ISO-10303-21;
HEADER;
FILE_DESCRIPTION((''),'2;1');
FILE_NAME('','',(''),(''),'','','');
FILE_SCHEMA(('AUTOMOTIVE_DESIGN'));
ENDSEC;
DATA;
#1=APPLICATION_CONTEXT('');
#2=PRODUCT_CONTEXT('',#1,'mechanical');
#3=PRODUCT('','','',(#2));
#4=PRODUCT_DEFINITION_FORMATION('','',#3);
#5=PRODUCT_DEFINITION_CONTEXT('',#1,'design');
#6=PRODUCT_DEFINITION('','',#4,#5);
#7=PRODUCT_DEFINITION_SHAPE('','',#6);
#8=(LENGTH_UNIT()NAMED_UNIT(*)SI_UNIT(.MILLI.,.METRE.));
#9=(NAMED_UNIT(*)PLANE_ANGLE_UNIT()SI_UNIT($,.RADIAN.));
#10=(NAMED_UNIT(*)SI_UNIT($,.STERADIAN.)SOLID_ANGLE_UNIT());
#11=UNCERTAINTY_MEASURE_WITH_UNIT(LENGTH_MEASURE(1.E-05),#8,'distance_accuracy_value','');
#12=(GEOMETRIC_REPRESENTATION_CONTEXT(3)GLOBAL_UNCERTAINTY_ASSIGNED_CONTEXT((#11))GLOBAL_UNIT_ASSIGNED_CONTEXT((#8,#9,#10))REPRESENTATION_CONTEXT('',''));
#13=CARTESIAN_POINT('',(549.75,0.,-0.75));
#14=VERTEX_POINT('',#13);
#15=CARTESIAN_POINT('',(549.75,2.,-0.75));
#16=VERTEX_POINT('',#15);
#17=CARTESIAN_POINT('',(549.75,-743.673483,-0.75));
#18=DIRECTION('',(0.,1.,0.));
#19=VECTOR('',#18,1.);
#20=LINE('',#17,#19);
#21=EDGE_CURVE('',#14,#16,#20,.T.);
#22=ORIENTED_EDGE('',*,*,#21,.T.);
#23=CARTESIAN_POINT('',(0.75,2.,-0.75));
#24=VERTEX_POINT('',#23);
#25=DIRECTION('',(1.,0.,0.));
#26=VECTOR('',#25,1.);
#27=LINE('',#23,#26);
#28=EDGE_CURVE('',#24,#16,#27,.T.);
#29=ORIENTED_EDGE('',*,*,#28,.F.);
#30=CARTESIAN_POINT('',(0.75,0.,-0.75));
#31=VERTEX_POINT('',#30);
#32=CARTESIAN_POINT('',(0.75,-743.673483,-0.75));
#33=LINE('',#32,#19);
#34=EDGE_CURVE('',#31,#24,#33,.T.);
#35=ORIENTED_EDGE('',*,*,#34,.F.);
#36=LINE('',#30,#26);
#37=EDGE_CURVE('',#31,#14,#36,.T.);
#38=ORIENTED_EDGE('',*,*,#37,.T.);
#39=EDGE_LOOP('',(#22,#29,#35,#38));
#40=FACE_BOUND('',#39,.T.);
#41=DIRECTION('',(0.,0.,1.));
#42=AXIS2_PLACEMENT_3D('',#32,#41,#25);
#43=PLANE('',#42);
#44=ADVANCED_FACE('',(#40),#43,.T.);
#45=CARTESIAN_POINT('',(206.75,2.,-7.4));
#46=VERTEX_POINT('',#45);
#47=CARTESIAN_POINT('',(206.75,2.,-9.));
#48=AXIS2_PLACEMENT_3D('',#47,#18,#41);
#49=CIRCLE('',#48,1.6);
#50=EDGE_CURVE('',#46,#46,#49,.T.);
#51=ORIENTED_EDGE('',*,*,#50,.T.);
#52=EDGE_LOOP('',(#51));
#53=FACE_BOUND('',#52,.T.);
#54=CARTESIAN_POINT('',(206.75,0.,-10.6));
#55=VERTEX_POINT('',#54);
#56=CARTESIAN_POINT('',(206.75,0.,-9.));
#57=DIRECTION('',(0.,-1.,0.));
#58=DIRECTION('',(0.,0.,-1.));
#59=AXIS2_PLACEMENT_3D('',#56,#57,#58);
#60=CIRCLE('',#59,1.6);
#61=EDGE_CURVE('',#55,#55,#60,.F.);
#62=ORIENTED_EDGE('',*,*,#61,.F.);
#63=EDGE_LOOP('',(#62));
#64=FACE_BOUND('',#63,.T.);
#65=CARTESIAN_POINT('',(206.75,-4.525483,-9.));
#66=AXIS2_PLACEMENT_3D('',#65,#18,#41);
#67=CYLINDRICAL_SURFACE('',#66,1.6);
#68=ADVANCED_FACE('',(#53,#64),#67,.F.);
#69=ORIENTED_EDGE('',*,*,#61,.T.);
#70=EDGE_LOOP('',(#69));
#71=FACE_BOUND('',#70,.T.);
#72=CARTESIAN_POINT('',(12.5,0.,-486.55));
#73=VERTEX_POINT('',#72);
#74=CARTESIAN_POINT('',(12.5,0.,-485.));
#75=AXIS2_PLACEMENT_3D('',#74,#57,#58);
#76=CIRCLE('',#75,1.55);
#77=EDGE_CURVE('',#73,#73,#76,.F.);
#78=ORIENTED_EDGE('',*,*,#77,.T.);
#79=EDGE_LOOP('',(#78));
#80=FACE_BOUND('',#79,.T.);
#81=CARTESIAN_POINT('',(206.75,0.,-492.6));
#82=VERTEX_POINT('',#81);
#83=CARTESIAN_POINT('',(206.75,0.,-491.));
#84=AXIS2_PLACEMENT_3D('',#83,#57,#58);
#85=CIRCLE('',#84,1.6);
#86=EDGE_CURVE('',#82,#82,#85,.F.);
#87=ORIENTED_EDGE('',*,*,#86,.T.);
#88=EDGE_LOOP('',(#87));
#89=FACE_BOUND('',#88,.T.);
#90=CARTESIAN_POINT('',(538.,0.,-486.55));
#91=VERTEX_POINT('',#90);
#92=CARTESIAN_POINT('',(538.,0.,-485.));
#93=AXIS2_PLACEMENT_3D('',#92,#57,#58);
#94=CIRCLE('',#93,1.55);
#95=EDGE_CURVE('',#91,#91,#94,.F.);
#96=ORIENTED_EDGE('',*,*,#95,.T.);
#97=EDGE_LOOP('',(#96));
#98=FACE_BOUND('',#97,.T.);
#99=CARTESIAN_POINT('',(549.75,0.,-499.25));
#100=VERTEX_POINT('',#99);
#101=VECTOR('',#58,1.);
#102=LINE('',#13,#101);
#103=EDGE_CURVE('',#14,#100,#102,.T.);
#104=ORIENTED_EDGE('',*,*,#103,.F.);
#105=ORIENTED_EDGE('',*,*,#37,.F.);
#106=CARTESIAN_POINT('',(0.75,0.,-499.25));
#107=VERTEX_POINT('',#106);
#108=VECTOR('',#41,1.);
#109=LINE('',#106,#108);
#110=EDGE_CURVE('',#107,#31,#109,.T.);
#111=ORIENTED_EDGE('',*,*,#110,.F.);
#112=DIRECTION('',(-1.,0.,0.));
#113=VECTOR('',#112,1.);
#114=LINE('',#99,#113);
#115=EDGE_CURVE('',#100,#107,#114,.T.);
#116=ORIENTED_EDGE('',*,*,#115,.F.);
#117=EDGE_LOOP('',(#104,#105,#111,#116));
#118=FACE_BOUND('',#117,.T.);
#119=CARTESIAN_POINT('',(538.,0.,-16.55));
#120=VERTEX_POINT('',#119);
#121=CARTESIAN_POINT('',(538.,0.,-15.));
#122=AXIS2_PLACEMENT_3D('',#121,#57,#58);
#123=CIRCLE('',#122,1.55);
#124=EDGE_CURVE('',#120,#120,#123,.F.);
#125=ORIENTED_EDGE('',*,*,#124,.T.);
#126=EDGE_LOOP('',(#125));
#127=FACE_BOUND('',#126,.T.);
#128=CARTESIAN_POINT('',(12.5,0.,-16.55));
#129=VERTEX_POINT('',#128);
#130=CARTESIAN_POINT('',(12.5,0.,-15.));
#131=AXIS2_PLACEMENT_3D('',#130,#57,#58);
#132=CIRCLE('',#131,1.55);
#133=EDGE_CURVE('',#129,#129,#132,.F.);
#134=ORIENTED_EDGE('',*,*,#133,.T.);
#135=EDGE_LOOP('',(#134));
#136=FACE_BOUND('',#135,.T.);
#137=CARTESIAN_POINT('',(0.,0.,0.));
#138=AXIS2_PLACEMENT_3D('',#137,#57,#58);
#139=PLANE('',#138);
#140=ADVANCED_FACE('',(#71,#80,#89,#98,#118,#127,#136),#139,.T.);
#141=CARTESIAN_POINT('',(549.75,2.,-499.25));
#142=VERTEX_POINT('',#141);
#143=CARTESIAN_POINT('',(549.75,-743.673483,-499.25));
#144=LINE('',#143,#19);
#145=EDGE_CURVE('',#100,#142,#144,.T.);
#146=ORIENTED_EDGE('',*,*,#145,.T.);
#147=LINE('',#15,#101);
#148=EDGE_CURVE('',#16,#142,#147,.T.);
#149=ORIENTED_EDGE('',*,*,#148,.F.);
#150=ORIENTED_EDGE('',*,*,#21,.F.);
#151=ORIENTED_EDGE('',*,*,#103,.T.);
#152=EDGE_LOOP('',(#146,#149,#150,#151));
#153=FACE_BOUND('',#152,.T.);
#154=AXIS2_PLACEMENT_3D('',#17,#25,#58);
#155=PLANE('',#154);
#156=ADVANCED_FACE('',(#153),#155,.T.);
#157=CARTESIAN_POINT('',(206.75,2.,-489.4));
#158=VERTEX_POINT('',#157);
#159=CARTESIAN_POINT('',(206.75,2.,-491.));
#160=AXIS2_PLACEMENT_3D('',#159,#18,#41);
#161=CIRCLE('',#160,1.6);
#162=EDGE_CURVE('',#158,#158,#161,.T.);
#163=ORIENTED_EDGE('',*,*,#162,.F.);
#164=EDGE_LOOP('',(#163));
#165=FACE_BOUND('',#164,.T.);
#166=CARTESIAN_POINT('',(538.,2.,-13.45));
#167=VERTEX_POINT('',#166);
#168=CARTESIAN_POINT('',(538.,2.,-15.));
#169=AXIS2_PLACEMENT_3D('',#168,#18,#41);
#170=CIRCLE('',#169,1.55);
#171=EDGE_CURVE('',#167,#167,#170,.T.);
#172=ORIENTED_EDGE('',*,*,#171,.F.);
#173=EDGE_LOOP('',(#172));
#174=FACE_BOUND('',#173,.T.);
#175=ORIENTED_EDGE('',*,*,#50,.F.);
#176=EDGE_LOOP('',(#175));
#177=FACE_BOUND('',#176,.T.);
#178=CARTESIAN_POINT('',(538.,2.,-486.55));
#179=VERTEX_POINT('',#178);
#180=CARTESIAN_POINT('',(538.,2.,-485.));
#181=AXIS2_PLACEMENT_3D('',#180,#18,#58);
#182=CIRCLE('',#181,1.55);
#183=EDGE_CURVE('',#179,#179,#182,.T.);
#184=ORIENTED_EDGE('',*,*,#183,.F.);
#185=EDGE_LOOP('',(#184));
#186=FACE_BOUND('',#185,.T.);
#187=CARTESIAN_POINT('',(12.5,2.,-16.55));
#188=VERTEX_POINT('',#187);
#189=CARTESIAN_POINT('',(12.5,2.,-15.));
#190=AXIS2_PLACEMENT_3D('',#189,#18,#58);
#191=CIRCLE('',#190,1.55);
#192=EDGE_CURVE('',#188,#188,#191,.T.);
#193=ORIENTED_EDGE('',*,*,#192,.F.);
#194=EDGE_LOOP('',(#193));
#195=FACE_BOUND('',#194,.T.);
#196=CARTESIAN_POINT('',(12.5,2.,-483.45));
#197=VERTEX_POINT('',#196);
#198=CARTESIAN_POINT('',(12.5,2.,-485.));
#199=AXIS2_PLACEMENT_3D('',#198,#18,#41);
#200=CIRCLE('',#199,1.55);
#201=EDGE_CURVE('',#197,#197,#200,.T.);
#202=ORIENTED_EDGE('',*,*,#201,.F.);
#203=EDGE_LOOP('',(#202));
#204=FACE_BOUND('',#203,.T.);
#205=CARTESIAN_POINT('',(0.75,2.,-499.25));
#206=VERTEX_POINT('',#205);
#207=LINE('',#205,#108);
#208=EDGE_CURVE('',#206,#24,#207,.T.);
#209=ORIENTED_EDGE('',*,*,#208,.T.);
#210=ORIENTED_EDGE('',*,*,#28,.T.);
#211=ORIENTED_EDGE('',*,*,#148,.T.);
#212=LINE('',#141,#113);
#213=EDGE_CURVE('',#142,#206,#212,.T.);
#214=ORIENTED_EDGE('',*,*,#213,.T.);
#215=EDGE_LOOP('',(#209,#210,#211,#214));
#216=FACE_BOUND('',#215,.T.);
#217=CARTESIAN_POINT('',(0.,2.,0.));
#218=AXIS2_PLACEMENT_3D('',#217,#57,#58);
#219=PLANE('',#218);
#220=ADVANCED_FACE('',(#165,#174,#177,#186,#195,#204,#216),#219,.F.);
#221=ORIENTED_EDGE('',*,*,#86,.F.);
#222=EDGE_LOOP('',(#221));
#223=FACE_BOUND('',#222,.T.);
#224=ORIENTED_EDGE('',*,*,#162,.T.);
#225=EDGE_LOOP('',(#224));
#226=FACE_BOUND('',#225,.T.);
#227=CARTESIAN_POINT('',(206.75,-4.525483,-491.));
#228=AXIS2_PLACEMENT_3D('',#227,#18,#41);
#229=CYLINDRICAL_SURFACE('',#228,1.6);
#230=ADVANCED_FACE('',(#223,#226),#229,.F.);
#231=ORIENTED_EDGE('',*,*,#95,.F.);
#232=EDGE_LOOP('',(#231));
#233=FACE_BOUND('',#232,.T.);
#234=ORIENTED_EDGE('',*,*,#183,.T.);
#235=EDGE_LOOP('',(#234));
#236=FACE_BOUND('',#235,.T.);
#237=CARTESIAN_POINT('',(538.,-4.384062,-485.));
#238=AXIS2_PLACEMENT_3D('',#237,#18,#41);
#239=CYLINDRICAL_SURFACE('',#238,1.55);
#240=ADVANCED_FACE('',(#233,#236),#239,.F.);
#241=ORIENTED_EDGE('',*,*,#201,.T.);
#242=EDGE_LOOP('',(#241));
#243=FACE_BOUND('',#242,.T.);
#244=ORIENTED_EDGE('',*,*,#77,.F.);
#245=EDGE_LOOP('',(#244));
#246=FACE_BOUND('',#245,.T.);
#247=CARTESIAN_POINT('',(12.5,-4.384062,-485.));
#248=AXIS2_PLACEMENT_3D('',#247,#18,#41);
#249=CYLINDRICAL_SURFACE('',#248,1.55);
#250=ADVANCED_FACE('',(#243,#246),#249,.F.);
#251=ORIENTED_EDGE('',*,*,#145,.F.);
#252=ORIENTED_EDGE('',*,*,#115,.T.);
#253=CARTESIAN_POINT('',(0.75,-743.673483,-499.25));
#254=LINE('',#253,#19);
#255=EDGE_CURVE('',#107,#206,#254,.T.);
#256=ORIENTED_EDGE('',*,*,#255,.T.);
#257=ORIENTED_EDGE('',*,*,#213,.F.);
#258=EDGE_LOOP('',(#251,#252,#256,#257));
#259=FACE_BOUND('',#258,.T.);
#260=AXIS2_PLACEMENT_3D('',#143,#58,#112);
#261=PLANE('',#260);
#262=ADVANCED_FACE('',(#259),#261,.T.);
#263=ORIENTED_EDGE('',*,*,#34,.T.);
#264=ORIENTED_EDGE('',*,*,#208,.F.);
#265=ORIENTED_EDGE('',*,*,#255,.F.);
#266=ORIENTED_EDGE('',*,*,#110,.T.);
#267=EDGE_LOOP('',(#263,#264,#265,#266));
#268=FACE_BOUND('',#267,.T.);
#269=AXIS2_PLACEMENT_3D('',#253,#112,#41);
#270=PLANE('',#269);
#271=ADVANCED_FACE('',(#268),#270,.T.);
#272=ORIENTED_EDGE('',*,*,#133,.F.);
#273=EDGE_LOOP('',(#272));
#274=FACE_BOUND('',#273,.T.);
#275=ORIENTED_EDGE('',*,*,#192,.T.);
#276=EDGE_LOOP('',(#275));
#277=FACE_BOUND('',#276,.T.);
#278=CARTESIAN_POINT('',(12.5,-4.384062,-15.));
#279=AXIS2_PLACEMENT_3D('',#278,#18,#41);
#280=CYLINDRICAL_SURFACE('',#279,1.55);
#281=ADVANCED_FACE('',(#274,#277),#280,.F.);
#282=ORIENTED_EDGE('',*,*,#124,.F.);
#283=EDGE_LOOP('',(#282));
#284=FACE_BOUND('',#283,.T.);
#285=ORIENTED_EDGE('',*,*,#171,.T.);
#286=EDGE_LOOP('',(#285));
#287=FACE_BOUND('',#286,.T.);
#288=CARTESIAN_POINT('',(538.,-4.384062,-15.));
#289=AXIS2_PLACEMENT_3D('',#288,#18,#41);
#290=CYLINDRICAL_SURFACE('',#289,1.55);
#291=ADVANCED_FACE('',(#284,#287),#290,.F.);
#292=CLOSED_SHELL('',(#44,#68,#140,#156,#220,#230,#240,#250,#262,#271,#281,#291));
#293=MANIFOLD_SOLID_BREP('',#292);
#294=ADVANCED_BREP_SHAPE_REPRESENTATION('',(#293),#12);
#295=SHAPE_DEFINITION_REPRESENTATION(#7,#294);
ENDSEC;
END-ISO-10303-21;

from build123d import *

# Parameters (mm, degrees)
CROQUIS1_W              = 550.5
CROQUIS1_H              = 500
SALIENTE_EXTRUIR1_DEPTH = 2
CROQUIS2_R              = 1.55
CORTAR_EXTRUIR1_DEPTH   = 2
CROQUIS3_W              = 550.5
CROQUIS3_H              = 500
CROQUIS3_W_2            = 549
CROQUIS3_H_2            = 498.5
CORTAR_EXTRUIR2_DEPTH   = 2
CROQUIS4_R              = 1.6
CORTAR_EXTRUIR3_DEPTH   = 2


with BuildPart() as part:
    # Croquis1 → Saliente-Extruir1 (new body)
    with BuildSketch(Plane(origin=(0, 0, 0), x_dir=(1, 0, 0), z_dir=(0, 1, 0))):
        with Locations((275.25, 250)):
            Rectangle(CROQUIS1_W, CROQUIS1_H)
    extrude(amount=SALIENTE_EXTRUIR1_DEPTH)

    # Croquis2 → Cortar-Extruir1 (cut)
    with BuildSketch(Plane(origin=(0, 2, 0), x_dir=(1, 0, 0), z_dir=(0, 1, 0))):
        with Locations(Location((12.5, 485, 0), (0, 0, 270))):
            Circle(CROQUIS2_R)
        with Locations(Location((538, 485, 0), (0, 0, 90))):
            Circle(CROQUIS2_R)
        with Locations(Location((538, 15, 0), (0, 0, 270))):
            Circle(CROQUIS2_R)
        with Locations(Location((12.5, 15, 0), (0, 0, 90))):
            Circle(CROQUIS2_R)
    extrude(amount=-CORTAR_EXTRUIR1_DEPTH, mode=Mode.SUBTRACT)

    # Croquis3 → Cortar-Extruir2 (cut)
    with BuildSketch(Plane(origin=(0, 2, 0), x_dir=(1, 0, 0), z_dir=(0, 1, 0))):
        with Locations((275.25, 250)):
            Rectangle(CROQUIS3_W, CROQUIS3_H)
        with Locations((275.25, 250)):
            Rectangle(CROQUIS3_W_2, CROQUIS3_H_2, mode=Mode.SUBTRACT)
    extrude(amount=-CORTAR_EXTRUIR2_DEPTH, mode=Mode.SUBTRACT)

    # Croquis4 → Cortar-Extruir3 (cut)
    with BuildSketch(Plane(origin=(0, 2, 0), x_dir=(1, 0, 0), z_dir=(0, 1, 0))):
        with Locations(Location((206.75, 491, 0), (0, 0, 270))):
            Circle(CROQUIS4_R)
        with Locations(Location((206.75, 9, 0), (0, 0, 270))):
            Circle(CROQUIS4_R)
    extrude(amount=-CORTAR_EXTRUIR3_DEPTH, mode=Mode.SUBTRACT)


solid = part.part
